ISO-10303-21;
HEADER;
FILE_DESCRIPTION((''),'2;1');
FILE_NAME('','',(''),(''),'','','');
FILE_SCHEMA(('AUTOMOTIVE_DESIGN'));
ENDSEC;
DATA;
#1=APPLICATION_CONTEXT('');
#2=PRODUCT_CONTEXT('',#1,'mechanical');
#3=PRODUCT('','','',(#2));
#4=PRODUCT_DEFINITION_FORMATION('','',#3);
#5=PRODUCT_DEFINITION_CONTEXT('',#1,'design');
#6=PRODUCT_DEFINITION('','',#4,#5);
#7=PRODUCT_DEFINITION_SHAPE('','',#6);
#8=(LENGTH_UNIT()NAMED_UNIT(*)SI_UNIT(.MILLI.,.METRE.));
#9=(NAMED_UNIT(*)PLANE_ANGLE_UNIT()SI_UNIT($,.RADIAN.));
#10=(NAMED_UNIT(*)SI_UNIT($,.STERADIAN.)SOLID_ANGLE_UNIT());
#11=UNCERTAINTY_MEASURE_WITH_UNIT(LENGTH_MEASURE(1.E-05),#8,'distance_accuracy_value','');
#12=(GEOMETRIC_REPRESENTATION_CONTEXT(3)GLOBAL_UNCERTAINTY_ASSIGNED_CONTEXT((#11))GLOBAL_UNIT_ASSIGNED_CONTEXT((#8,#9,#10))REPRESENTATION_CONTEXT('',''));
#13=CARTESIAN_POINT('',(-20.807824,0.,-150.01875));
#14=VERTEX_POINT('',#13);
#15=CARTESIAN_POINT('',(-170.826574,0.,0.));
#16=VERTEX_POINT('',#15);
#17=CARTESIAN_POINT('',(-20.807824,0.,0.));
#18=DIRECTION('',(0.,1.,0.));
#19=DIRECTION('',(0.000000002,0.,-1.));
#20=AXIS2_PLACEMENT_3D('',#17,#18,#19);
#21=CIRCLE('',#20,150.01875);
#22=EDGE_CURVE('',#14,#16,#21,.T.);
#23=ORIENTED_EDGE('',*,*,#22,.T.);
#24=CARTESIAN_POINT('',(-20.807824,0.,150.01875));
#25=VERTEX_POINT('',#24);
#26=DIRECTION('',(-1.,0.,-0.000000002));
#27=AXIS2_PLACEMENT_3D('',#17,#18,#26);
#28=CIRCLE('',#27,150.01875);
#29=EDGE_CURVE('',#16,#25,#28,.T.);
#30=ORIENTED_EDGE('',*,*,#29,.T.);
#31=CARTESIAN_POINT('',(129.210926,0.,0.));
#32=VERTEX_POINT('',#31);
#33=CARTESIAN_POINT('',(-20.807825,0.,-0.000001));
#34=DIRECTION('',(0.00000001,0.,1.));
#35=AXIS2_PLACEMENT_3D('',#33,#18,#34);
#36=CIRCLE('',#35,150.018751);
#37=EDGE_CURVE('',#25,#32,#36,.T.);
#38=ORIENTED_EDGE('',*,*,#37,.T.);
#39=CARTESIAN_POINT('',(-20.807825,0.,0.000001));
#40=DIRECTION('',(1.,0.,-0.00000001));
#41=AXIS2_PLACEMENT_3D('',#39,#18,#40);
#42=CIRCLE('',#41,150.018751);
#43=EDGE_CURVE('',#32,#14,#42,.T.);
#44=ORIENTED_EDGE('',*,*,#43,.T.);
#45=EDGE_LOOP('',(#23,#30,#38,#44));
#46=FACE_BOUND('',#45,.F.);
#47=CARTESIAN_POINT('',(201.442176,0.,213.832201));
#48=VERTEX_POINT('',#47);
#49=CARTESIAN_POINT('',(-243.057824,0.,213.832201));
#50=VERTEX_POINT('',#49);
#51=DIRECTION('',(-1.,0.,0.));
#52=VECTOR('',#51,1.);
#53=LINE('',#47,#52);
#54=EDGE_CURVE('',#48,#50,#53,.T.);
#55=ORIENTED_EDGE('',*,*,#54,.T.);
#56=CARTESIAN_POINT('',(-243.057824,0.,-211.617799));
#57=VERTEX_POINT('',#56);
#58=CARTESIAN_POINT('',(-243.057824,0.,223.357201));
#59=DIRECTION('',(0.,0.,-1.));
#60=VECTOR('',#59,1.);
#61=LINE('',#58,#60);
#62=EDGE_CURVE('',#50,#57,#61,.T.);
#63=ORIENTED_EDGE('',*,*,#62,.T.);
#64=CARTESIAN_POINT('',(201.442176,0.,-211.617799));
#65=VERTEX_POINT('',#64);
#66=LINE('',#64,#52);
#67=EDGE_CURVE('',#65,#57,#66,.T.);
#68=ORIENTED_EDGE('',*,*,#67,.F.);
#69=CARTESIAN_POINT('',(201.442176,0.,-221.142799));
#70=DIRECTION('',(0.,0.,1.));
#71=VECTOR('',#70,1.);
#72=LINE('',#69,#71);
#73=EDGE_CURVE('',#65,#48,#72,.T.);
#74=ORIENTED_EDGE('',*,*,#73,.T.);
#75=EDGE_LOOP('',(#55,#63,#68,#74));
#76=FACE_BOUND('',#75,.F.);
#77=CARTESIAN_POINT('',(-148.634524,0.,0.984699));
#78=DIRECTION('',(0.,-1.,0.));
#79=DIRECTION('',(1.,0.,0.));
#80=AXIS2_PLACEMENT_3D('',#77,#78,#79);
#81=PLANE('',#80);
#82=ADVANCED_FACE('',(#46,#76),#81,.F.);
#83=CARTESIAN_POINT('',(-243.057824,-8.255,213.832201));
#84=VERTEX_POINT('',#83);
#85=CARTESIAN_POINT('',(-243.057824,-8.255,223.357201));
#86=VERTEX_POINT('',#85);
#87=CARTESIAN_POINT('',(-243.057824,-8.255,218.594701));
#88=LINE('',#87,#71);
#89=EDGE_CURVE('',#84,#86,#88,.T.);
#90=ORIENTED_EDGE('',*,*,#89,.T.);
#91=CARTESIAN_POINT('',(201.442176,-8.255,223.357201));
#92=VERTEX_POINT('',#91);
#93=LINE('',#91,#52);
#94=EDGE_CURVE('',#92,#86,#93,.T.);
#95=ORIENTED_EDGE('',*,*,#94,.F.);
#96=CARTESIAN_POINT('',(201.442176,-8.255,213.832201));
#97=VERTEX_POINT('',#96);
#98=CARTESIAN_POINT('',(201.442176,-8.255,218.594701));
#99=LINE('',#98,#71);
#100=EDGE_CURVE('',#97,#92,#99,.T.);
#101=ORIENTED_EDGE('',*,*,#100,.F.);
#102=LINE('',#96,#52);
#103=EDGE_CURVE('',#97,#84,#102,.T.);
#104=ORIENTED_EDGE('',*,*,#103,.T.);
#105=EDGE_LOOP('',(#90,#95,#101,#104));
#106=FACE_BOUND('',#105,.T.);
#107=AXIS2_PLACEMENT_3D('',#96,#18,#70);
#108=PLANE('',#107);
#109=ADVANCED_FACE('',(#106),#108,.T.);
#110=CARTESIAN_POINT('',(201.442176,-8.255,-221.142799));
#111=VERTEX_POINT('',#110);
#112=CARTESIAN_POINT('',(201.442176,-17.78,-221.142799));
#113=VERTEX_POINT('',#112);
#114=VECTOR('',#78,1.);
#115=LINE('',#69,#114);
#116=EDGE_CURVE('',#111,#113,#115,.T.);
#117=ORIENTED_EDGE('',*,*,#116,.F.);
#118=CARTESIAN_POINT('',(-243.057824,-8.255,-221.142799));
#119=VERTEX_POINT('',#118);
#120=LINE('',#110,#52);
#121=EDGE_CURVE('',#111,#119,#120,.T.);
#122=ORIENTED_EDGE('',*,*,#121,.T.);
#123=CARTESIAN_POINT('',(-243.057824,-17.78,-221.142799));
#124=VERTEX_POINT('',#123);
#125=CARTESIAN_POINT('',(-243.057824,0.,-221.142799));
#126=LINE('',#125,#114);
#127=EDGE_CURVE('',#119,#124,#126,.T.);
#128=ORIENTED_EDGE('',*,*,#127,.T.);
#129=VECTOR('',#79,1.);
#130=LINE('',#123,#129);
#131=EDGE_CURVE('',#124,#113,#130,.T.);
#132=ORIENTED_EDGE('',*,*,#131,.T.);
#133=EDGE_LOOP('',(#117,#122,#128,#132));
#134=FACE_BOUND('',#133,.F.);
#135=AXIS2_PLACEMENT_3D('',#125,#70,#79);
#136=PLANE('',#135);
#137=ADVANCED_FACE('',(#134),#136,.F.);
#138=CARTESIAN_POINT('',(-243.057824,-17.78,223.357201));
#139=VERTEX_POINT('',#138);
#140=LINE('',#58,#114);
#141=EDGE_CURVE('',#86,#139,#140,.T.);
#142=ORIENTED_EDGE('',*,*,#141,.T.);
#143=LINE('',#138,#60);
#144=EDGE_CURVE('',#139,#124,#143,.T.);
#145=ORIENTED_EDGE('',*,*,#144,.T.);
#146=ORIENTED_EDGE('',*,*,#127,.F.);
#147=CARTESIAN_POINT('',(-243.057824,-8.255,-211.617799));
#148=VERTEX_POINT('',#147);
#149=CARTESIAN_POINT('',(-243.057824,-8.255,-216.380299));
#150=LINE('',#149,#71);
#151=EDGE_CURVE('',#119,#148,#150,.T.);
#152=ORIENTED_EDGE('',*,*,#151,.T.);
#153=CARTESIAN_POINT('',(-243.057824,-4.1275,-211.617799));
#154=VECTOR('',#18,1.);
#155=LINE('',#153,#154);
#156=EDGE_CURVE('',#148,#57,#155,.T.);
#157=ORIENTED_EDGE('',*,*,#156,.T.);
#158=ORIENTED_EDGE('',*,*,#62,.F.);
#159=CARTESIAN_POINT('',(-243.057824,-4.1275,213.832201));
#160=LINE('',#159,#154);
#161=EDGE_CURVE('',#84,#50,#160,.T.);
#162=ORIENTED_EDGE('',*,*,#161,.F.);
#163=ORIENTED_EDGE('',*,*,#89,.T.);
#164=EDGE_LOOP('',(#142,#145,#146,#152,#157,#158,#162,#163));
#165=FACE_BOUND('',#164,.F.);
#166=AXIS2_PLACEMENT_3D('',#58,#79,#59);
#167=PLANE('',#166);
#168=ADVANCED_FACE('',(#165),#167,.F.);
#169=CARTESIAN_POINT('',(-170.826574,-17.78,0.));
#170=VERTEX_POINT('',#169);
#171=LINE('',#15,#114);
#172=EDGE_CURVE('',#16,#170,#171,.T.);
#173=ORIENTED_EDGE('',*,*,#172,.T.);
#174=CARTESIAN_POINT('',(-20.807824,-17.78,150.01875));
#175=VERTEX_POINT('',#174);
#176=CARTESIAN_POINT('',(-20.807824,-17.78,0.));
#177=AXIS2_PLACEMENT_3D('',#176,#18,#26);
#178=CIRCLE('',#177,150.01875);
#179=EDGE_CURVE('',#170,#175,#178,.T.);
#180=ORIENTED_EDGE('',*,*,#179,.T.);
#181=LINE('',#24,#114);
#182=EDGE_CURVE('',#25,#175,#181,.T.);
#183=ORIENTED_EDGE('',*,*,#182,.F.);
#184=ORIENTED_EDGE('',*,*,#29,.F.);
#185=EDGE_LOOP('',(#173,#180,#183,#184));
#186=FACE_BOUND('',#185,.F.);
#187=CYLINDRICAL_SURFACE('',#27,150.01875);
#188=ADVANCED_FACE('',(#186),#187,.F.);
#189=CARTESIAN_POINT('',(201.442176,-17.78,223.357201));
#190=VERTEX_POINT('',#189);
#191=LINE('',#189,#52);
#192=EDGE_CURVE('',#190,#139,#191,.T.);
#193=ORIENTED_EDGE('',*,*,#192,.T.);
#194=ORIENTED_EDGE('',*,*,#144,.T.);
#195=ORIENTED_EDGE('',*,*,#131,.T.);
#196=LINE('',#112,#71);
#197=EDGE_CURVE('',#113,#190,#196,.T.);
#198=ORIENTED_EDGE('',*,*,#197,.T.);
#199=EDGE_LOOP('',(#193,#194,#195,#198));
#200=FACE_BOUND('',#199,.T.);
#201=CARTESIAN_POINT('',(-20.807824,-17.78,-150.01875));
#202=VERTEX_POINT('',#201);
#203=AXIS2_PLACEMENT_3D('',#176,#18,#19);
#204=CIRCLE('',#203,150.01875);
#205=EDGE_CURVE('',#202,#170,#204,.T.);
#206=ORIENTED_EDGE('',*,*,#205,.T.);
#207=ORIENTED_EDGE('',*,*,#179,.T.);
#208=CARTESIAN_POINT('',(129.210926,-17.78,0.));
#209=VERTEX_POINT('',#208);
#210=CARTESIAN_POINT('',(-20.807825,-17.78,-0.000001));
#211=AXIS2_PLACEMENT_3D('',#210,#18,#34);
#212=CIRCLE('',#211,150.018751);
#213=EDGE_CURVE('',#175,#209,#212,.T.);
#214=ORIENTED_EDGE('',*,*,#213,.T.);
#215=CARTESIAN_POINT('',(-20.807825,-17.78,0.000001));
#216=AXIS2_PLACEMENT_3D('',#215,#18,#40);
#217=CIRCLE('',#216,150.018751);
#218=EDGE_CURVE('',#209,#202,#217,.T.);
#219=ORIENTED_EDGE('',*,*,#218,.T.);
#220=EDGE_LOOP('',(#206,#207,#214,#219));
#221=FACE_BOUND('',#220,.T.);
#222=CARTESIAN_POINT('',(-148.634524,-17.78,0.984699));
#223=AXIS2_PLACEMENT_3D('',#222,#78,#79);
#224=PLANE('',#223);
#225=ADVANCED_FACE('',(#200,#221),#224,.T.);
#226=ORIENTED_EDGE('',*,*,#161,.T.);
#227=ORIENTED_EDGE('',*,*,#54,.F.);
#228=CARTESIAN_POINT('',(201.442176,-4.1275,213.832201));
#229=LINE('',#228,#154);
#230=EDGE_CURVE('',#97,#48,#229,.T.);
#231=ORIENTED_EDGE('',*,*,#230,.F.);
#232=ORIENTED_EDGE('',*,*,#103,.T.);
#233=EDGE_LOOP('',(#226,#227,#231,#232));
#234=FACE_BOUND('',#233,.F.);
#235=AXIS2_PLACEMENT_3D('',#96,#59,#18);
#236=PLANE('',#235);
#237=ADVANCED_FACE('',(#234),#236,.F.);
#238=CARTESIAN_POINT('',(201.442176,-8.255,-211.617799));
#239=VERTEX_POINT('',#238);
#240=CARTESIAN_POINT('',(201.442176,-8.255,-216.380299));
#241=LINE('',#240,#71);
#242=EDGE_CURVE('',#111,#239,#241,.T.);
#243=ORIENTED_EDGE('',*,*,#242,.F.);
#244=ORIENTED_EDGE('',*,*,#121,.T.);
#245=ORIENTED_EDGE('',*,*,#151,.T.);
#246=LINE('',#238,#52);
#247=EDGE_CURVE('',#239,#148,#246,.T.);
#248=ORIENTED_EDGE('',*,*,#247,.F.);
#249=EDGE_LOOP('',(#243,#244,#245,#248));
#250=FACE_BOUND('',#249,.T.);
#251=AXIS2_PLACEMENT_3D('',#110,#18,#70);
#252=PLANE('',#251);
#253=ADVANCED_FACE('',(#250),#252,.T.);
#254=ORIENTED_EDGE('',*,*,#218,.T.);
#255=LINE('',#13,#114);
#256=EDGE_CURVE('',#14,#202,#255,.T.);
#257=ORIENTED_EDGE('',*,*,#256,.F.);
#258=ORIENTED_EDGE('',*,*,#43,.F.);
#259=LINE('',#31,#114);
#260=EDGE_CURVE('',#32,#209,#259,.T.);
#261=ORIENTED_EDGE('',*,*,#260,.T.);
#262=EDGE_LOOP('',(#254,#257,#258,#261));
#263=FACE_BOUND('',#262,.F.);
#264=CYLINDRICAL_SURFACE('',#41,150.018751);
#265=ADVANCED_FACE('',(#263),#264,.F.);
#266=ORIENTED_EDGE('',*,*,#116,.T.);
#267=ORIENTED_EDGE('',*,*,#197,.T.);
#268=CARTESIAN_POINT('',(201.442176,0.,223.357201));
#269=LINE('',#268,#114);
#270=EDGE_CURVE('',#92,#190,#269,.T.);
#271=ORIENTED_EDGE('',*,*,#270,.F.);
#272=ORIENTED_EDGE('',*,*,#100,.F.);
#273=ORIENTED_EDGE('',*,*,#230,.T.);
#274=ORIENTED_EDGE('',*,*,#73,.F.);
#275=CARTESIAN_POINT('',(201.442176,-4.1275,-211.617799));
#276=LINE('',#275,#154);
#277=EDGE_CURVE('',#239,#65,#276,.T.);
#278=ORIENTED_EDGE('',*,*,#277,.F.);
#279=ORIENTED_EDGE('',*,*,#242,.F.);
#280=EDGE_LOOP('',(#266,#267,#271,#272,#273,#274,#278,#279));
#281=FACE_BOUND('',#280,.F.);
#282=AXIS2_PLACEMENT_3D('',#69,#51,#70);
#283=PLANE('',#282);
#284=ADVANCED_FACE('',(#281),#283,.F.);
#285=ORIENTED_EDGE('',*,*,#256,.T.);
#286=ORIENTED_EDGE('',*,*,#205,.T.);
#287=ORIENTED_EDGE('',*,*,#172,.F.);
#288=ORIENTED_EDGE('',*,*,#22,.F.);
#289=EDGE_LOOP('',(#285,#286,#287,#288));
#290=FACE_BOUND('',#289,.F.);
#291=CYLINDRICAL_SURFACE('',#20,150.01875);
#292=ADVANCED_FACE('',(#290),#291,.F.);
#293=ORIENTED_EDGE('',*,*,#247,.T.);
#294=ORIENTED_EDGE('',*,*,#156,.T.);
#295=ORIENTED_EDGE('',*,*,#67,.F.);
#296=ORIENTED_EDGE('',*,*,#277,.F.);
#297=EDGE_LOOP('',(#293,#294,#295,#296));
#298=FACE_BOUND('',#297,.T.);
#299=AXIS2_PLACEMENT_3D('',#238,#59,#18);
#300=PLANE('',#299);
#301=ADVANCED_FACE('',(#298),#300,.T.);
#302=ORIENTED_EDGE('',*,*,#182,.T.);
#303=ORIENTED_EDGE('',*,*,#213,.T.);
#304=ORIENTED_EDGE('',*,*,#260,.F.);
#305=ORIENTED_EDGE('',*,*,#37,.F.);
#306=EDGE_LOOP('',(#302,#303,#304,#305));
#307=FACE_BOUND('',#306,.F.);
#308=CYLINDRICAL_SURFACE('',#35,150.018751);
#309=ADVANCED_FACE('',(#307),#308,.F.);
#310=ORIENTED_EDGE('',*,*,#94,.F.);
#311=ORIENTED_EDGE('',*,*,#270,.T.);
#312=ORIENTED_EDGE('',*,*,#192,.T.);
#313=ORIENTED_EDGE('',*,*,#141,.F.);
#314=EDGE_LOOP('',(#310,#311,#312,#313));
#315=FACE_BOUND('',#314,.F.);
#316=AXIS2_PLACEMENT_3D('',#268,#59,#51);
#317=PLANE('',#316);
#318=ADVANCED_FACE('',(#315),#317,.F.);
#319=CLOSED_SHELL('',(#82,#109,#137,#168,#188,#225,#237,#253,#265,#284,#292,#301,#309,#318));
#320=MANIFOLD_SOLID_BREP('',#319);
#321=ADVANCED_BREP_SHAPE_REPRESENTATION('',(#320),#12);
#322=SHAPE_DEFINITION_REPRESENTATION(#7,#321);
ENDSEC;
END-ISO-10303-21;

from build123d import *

# Parameters (mm, degrees)
F1_DEPTH = 17.78
F2_W     = 8.255
F2_H     = 9.525
F3_DEPTH = 444.5


with BuildPart() as f1:
    # F0 (on Front) → F1 (new body)
    with BuildSketch(Plane.XZ):
        with BuildLine():
            Line((-20.807824, 223.357201), (-243.057824, 223.357201))
            Line((-243.057824, 223.357201), (-243.057824, -221.142799))
            Line((-243.057824, -221.142799), (-230.357824, -221.142799))
            Line((-230.357824, -221.142799), (-224.007824, -221.142799))
            Line((-224.007824, -221.142799), (-20.807824, -221.142799))
            Line((-20.807824, -221.142799), (-20.807824, -150.01875))
            ThreePointArc((-20.807824, -150.01875), (-126.8871, -106.079275), (-170.826574, 0))
            ThreePointArc((-170.826574, 0), (-126.8871, 106.079275), (-20.807824, 150.01875))
            Line((-20.807824, 150.01875), (-20.807824, 223.357201))
        make_face()
        with BuildLine():
            Line((201.442176, 223.357201), (-20.807824, 223.357201))
            Line((-20.807824, 223.357201), (-20.807824, 150.01875))
            ThreePointArc((-20.807824, 150.01875), (85.271451, 106.079275), (129.210926, 0))
            ThreePointArc((129.210926, 0), (85.271451, -106.079275), (-20.807824, -150.01875))
            Line((-20.807824, -150.01875), (-20.807824, -221.142799))
            Line((-20.807824, -221.142799), (182.392176, -221.142799))
            Line((182.392176, -221.142799), (188.742176, -221.142799))
            Line((188.742176, -221.142799), (201.442176, -221.142799))
            Line((201.442176, -221.142799), (201.442176, 223.357201))
        make_face()
    extrude(amount=F1_DEPTH)

    # F2 (on face) → F3 (cut)
    with BuildSketch(Plane.YZ.offset(201.442176)):
        with Locations((-4.1275, 218.594701)):
            Rectangle(F2_W, F2_H)
        with Locations((-4.1275, -216.380299)):
            Rectangle(F2_W, F2_H)
    extrude(amount=-F3_DEPTH, mode=Mode.SUBTRACT)


solid = f1.part
